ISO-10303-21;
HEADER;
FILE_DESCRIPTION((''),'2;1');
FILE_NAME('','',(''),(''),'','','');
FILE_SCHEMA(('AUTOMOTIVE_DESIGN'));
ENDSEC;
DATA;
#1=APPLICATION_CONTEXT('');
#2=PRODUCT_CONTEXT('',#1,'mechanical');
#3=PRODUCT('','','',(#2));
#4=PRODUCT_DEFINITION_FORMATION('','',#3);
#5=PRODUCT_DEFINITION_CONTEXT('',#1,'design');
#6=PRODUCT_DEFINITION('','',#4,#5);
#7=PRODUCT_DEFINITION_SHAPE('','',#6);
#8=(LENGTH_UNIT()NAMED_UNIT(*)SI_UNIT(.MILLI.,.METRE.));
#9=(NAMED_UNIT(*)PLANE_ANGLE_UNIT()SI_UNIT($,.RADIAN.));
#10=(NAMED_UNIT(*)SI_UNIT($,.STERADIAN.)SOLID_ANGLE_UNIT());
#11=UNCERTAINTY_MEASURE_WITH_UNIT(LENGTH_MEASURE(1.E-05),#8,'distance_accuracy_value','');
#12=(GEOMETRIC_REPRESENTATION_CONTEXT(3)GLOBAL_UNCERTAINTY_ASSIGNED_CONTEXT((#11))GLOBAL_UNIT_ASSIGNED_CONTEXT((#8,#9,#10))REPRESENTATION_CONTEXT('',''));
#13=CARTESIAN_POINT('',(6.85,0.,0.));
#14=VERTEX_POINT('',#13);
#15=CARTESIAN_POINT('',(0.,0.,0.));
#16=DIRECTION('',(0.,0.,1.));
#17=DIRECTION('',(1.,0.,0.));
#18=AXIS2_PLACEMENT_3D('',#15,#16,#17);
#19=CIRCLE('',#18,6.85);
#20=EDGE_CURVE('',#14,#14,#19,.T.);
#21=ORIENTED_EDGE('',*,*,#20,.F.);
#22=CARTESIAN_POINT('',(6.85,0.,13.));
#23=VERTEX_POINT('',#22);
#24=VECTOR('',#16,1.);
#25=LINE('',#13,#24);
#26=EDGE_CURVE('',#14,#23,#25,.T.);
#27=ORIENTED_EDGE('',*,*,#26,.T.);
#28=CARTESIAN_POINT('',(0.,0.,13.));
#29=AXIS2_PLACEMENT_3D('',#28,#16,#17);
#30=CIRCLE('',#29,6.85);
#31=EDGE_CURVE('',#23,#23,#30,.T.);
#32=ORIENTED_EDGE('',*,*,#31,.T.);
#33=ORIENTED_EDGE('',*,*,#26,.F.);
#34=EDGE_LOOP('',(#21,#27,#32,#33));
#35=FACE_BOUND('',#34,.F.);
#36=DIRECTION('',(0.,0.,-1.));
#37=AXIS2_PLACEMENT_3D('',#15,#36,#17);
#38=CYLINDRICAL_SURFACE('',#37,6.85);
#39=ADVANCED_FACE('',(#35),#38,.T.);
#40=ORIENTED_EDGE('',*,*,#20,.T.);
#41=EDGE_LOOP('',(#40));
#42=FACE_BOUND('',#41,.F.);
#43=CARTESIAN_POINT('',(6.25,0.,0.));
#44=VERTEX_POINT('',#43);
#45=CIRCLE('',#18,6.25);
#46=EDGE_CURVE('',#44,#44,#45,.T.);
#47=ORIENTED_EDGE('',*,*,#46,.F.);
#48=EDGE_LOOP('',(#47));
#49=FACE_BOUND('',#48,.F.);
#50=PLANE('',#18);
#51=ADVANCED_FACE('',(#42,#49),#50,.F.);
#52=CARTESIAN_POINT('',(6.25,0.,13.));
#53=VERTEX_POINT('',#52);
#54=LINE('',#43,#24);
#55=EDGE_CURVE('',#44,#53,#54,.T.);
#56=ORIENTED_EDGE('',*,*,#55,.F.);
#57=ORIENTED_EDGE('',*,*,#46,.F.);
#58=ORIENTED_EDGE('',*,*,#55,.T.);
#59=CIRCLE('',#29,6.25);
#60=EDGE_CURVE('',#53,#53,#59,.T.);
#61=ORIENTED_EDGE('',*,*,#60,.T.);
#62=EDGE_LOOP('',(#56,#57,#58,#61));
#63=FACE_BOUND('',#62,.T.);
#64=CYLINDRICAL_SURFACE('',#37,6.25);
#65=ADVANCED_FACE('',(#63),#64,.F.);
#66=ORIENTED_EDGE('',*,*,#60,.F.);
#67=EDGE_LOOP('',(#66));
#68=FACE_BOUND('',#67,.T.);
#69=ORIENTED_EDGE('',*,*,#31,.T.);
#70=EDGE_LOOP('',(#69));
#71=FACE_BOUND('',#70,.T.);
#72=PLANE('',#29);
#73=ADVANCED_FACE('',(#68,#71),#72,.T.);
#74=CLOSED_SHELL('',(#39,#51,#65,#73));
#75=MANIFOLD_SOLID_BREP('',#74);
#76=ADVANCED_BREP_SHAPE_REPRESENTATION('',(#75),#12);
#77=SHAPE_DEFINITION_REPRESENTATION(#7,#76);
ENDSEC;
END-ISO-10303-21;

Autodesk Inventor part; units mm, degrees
ref_plane "YZ Plane" through (0, 0, 0) normal (1, 0, 0) x (0, 1, 0)
ref_plane "XZ Plane" through (0, 0, 0) normal (0, 1, 0) x (-1, 0, 0)
ref_plane "XY Plane" through (0, 0, 0) normal (0, 0, 1) x (1, 0, 0)
sketch "Sketch4" plane through (0, 0, 0) normal (0, 0, 1) x (1, 0, 0)
  circle A0 centre (0, 0) radius 6.25
  circle A1 centre (0, 0) radius 6.85
  dimension "d9" = 12.5
  dimension "d10" = 13.7
extrude "Extrusion4" add sketch "Sketch4" along normal blind 13
properties material "Stainless Steel"
